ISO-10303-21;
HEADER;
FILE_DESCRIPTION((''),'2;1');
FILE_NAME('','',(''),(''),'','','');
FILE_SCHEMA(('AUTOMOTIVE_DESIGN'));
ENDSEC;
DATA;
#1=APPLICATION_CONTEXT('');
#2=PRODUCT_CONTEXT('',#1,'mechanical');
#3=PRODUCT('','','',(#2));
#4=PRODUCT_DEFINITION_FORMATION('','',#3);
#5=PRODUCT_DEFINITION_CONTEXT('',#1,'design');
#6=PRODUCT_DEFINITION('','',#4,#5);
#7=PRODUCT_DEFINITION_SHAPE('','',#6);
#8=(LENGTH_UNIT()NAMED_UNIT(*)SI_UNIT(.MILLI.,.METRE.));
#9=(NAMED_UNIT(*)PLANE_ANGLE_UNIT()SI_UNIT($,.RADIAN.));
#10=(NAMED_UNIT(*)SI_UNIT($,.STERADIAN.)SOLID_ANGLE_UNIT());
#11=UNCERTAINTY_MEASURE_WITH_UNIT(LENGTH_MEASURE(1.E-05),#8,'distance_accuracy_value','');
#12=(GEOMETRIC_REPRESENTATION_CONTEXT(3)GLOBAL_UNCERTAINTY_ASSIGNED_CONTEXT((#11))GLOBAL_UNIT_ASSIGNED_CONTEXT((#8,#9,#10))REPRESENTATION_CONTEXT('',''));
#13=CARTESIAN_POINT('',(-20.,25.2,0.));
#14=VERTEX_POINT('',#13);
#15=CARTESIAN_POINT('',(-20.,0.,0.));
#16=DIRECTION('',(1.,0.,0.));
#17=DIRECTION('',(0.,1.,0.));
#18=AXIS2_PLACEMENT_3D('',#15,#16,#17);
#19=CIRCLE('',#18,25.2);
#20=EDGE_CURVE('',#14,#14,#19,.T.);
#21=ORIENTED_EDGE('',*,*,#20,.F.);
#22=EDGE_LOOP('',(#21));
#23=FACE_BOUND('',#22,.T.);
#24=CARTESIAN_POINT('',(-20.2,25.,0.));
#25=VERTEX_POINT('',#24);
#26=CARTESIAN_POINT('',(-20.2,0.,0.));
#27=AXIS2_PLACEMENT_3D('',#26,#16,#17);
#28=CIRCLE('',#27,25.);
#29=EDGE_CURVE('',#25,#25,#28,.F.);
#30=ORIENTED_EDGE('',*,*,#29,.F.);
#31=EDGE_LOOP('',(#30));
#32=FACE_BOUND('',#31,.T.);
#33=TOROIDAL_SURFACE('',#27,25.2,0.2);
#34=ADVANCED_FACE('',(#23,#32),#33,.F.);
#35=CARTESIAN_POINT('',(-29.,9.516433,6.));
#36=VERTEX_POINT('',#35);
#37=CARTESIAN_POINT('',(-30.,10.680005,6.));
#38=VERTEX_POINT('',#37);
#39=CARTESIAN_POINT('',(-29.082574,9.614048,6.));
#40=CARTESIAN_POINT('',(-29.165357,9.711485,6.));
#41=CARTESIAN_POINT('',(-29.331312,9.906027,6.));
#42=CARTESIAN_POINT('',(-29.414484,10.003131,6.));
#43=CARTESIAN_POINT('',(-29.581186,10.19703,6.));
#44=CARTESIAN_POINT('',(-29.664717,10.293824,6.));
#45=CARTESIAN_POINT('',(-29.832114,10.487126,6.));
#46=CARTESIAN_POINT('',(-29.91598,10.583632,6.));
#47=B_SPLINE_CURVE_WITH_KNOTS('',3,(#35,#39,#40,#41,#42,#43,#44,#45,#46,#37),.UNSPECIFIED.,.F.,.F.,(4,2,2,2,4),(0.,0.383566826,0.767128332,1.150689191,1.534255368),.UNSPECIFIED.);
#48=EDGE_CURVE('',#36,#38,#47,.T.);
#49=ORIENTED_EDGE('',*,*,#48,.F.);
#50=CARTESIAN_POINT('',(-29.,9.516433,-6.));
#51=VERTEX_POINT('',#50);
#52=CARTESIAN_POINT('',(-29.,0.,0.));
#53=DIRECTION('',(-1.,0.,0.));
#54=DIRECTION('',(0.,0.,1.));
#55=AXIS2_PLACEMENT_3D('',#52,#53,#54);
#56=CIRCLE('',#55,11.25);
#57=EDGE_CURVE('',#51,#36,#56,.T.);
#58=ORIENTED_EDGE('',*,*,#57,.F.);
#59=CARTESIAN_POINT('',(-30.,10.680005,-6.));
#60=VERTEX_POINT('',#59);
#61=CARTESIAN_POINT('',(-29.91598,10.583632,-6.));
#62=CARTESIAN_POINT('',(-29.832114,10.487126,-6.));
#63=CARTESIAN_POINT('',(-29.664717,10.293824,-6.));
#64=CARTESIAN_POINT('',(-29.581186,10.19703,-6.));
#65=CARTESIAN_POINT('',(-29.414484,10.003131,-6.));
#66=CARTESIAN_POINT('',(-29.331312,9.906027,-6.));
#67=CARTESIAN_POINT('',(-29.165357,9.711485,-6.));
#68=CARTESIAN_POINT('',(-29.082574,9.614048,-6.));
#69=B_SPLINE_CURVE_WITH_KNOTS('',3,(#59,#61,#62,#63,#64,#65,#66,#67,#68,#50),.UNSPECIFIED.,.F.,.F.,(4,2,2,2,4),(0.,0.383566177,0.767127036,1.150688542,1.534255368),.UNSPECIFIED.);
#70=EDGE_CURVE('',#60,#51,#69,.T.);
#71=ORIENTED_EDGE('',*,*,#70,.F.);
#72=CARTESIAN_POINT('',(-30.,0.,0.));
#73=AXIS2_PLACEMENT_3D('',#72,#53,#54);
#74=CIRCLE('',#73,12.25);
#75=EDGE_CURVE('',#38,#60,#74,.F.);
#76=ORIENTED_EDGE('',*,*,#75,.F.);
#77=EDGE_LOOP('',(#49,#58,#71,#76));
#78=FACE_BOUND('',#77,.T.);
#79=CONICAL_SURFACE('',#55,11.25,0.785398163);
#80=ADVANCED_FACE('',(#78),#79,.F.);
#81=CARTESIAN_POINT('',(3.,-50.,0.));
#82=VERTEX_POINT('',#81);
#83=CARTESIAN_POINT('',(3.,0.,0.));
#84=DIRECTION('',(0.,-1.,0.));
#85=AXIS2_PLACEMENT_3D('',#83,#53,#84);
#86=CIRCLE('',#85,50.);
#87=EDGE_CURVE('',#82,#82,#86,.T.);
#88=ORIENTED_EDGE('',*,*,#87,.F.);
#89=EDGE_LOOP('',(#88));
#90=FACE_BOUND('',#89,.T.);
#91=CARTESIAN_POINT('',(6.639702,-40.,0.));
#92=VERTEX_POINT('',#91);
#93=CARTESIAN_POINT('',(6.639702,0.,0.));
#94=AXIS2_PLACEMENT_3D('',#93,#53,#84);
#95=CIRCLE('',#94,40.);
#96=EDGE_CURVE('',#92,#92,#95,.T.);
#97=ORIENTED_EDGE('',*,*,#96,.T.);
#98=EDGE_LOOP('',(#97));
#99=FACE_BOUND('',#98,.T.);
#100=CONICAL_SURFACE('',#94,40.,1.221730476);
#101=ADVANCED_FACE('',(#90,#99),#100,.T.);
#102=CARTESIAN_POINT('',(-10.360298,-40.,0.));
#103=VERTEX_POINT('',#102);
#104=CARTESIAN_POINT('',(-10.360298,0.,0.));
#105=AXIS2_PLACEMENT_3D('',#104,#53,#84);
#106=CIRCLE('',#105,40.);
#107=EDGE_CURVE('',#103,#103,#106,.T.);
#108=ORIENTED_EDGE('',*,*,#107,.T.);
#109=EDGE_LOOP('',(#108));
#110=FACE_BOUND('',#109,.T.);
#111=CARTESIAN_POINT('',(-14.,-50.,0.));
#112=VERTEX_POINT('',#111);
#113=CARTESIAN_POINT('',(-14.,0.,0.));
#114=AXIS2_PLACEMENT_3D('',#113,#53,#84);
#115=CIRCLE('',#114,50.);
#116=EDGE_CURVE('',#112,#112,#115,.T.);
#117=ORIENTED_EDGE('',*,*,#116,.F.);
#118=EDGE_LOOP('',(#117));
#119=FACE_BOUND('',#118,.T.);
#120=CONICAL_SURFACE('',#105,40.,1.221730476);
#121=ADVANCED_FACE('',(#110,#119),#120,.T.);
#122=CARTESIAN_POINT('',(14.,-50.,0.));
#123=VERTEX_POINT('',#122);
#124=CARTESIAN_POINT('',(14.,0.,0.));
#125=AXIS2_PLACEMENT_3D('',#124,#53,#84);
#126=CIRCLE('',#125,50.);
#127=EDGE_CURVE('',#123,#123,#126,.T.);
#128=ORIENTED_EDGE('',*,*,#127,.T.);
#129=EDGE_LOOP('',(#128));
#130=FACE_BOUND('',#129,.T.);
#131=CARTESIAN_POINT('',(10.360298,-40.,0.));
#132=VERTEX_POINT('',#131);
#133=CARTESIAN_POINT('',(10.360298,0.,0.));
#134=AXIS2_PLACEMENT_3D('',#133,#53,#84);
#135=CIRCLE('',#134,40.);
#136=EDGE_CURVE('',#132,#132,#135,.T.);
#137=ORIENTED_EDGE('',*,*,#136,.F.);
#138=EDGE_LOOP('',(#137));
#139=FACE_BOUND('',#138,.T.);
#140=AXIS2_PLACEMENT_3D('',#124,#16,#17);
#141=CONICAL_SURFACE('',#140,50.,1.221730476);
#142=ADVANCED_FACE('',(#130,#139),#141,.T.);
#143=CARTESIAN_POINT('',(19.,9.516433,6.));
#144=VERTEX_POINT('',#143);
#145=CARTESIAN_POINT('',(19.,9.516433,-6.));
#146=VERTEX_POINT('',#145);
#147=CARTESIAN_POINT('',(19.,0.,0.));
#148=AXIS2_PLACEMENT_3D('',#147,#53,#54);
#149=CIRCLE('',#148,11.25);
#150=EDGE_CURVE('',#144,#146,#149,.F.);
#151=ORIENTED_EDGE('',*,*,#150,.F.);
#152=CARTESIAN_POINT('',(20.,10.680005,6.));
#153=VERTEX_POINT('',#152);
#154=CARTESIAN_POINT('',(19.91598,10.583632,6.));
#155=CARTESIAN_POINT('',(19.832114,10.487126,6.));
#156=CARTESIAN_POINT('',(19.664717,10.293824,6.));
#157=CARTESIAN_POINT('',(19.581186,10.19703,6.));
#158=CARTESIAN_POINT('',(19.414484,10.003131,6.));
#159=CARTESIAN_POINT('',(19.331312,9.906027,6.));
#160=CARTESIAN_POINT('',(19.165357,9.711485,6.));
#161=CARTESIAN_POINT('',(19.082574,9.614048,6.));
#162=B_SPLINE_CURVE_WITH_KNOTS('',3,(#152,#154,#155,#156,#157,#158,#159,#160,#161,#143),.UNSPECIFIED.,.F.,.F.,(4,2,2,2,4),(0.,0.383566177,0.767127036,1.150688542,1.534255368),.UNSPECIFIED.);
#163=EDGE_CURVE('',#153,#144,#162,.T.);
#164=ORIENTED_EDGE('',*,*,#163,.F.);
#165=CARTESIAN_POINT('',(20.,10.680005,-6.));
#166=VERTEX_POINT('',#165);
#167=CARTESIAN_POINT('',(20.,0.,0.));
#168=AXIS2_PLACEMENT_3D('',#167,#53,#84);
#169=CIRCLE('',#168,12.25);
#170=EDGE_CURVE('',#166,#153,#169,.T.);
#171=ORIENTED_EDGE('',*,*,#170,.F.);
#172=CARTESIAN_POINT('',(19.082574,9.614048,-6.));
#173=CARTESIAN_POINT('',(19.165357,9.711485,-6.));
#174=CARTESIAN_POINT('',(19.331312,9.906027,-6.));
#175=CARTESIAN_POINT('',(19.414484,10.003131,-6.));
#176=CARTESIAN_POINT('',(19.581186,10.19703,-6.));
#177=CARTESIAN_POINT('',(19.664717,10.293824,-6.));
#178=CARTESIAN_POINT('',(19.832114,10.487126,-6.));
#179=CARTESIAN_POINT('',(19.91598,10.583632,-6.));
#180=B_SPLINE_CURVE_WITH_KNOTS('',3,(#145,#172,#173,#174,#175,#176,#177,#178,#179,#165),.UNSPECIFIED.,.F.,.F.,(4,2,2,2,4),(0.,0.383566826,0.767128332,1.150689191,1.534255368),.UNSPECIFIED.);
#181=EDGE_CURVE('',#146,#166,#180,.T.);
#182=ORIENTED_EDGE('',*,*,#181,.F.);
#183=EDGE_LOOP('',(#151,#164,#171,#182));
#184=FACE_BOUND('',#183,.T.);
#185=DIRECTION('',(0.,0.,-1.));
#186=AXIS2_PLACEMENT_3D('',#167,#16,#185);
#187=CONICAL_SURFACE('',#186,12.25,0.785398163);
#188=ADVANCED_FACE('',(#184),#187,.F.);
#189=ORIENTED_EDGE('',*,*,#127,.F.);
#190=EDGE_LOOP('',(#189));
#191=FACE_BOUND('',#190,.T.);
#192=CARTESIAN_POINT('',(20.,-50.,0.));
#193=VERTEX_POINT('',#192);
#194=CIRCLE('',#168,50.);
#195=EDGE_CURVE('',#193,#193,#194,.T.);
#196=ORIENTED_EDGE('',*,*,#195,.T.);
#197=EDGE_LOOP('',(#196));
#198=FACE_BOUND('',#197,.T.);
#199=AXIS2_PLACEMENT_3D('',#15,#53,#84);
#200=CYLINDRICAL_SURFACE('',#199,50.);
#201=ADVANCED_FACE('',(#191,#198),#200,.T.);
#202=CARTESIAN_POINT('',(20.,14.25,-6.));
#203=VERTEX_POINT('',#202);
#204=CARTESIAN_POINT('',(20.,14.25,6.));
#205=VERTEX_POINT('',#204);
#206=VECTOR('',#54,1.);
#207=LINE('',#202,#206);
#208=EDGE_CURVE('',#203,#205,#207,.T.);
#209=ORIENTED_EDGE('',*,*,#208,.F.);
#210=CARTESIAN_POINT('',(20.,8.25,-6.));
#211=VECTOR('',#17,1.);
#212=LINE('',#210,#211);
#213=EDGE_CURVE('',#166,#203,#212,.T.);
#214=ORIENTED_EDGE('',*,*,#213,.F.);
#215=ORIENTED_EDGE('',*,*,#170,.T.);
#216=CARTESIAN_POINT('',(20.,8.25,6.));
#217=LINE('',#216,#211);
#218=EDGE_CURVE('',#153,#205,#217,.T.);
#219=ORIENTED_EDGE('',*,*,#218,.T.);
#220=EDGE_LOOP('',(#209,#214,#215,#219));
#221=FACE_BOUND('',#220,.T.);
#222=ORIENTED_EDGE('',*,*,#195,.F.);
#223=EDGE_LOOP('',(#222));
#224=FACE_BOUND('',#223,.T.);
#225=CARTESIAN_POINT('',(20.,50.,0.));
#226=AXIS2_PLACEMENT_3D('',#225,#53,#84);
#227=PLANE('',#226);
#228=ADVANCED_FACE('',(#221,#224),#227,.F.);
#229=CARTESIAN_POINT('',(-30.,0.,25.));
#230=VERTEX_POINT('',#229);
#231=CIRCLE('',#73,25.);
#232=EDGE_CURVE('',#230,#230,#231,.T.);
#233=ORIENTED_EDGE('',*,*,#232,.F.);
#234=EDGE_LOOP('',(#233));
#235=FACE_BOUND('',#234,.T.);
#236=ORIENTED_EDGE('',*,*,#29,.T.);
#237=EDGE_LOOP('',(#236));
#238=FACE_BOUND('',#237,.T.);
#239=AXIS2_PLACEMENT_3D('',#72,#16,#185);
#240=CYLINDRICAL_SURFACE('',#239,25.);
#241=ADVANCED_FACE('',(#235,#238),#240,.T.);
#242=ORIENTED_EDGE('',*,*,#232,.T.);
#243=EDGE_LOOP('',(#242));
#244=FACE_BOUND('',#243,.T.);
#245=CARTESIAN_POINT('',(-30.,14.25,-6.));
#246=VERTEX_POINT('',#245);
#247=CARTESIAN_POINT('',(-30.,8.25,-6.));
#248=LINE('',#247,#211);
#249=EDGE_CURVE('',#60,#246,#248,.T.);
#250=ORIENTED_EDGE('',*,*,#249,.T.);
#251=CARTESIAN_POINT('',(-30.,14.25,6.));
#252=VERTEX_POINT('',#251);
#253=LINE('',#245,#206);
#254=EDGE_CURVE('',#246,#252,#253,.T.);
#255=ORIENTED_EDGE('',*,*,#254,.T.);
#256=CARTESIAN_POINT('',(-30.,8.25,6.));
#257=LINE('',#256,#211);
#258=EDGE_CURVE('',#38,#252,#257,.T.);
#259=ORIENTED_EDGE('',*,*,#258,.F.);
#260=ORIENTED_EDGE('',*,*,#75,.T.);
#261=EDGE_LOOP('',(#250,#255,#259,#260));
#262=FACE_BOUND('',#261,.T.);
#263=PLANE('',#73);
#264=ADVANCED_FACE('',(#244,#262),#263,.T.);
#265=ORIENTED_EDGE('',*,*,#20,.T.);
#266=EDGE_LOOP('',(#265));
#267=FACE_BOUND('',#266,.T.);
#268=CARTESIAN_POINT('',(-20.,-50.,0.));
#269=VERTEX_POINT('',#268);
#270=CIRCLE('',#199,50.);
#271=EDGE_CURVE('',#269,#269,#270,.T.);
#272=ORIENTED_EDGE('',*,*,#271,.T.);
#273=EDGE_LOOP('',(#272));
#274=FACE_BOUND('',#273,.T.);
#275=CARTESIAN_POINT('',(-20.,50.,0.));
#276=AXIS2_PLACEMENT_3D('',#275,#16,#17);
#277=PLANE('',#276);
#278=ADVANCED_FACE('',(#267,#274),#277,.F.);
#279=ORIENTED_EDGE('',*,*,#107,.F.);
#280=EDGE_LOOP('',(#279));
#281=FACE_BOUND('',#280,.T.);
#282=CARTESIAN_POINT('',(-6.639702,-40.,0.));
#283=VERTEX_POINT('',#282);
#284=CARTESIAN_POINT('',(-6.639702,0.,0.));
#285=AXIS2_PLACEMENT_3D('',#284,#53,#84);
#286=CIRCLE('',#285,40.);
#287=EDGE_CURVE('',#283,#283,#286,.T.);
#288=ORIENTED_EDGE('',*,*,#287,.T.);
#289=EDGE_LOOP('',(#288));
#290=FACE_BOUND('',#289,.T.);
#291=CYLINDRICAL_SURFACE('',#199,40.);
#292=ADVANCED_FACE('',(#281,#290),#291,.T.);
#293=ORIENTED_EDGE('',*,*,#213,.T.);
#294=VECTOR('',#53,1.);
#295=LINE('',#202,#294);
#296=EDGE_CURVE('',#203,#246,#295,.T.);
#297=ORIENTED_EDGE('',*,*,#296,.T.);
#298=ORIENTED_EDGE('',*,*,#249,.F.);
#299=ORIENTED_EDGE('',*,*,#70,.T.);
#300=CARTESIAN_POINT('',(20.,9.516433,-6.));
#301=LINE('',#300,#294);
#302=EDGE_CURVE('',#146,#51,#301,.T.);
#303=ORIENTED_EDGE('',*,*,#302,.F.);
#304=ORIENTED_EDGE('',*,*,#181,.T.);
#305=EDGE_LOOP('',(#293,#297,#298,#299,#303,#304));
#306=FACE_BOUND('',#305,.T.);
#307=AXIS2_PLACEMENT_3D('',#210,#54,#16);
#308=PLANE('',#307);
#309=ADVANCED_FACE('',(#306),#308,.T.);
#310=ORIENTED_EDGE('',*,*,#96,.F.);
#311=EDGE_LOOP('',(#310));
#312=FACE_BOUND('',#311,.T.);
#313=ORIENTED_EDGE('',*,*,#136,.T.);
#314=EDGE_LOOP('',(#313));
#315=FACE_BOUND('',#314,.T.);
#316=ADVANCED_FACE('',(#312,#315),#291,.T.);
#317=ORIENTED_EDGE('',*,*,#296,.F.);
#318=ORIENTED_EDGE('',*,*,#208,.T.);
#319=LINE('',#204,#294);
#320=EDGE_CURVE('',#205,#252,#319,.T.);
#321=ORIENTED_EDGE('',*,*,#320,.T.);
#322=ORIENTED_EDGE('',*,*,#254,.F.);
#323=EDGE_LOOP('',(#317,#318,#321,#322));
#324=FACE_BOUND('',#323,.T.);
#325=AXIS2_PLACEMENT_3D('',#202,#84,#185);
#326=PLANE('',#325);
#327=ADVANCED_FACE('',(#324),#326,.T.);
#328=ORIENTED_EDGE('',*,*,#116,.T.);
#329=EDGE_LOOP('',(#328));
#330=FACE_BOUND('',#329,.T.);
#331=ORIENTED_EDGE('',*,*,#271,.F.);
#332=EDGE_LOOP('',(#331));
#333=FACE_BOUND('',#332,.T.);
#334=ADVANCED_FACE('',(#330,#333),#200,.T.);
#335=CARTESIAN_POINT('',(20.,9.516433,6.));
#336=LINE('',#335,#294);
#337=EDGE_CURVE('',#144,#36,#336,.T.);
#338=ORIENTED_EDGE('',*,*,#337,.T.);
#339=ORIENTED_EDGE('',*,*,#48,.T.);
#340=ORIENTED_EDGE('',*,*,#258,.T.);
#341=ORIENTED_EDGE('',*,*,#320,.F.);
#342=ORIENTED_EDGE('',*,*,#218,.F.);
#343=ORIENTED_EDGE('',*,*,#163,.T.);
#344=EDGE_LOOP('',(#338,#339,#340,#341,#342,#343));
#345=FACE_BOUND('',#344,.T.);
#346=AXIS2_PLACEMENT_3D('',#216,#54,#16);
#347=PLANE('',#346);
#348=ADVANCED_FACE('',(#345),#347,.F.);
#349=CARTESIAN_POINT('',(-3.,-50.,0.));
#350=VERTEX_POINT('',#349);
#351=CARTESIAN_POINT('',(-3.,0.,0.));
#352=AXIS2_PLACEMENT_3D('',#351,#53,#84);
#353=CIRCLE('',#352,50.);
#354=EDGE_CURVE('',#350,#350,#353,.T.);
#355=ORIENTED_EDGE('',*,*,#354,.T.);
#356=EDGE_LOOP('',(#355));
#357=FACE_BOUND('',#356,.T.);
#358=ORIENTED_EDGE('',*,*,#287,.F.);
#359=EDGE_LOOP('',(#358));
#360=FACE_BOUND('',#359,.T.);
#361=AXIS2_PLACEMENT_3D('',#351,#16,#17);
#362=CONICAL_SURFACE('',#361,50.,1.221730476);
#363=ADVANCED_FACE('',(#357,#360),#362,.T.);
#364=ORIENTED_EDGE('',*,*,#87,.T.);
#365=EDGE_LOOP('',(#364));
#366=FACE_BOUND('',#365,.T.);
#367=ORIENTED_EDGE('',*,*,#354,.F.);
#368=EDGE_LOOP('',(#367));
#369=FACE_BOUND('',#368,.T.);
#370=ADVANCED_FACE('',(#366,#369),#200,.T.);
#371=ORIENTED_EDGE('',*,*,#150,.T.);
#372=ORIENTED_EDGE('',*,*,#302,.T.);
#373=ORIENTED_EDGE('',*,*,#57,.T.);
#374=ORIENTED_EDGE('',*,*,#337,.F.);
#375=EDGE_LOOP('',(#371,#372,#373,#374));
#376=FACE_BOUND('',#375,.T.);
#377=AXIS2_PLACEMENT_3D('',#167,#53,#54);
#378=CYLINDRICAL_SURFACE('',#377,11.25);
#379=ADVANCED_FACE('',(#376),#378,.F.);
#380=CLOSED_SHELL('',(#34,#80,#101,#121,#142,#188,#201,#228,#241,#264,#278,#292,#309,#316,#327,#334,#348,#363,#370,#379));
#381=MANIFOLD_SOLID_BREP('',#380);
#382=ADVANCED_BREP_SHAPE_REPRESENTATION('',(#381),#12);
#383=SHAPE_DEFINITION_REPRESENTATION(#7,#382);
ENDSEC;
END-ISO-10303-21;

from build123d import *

# Parameters (mm, degrees)
SKETCH2_R           = 25
BOSS_EXTRUDE1_DEPTH = 10
SKETCH4_R           = 11.25
SKETCH4_W           = 12
SKETCH4_H           = 6
CUT_EXTRUDE1_DEPTH  = 87.602540378
FILLET1_R           = 0.2
CHAMFER1_SIZE       = 1
CHAMFER2_SIZE       = 1


with BuildPart() as part:
    # Sketch1 → Revolve12 (revolve)
    with BuildSketch(Plane.XY, mode=Mode.PRIVATE) as revolve12_sk:
        Polygon((3, 50), (-3, 50), (-6.639702343, 40), (-10.360297657, 40), (-14, 50), (-20, 50), (-20, 0), (20, 0), (20, 50), (14, 50), (10.360297657, 40), (6.639702343, 40), align=None)
    revolve(revolve12_sk.sketch.rotate(Axis((-20, 0, 0), (1, 0, 0)), 180), axis=Axis((-20, 0, 0), (1, 0, 0)))

    # Sketch2 → Boss-Extrude1 (add)
    with BuildSketch(Plane.ZY.offset(20)):
        with Locations(Location((0, 0, 0), (0, 0, 90))):
            Circle(SKETCH2_R)
    extrude(amount=BOSS_EXTRUDE1_DEPTH)

    # Sketch4 → Cut-Extrude1 (cut, through all)
    with BuildSketch(Plane.ZY.offset(30)):
        Circle(SKETCH4_R)
        with Locations((0, 11.25)):
            Rectangle(SKETCH4_W, SKETCH4_H)
    extrude(amount=-CUT_EXTRUDE1_DEPTH, mode=Mode.SUBTRACT)

    # Fillet1
    fillet1_edges = [part.edges().sort_by_distance(p)[0] for p in [
        (-20, -25, 0),
    ]]
    fillet(fillet1_edges, radius=FILLET1_R)

    # Chamfer1
    chamfer1_edges = [part.edges().sort_by_distance(p)[0] for p in [
        (20, -11.25, 0),
    ]]
    chamfer(chamfer1_edges, length=CHAMFER1_SIZE)

    # Chamfer2
    chamfer2_edges = [part.edges().sort_by_distance(p)[0] for p in [
        (-30, -11.25, 0),
    ]]
    chamfer(chamfer2_edges, length=CHAMFER2_SIZE)


solid = part.part
